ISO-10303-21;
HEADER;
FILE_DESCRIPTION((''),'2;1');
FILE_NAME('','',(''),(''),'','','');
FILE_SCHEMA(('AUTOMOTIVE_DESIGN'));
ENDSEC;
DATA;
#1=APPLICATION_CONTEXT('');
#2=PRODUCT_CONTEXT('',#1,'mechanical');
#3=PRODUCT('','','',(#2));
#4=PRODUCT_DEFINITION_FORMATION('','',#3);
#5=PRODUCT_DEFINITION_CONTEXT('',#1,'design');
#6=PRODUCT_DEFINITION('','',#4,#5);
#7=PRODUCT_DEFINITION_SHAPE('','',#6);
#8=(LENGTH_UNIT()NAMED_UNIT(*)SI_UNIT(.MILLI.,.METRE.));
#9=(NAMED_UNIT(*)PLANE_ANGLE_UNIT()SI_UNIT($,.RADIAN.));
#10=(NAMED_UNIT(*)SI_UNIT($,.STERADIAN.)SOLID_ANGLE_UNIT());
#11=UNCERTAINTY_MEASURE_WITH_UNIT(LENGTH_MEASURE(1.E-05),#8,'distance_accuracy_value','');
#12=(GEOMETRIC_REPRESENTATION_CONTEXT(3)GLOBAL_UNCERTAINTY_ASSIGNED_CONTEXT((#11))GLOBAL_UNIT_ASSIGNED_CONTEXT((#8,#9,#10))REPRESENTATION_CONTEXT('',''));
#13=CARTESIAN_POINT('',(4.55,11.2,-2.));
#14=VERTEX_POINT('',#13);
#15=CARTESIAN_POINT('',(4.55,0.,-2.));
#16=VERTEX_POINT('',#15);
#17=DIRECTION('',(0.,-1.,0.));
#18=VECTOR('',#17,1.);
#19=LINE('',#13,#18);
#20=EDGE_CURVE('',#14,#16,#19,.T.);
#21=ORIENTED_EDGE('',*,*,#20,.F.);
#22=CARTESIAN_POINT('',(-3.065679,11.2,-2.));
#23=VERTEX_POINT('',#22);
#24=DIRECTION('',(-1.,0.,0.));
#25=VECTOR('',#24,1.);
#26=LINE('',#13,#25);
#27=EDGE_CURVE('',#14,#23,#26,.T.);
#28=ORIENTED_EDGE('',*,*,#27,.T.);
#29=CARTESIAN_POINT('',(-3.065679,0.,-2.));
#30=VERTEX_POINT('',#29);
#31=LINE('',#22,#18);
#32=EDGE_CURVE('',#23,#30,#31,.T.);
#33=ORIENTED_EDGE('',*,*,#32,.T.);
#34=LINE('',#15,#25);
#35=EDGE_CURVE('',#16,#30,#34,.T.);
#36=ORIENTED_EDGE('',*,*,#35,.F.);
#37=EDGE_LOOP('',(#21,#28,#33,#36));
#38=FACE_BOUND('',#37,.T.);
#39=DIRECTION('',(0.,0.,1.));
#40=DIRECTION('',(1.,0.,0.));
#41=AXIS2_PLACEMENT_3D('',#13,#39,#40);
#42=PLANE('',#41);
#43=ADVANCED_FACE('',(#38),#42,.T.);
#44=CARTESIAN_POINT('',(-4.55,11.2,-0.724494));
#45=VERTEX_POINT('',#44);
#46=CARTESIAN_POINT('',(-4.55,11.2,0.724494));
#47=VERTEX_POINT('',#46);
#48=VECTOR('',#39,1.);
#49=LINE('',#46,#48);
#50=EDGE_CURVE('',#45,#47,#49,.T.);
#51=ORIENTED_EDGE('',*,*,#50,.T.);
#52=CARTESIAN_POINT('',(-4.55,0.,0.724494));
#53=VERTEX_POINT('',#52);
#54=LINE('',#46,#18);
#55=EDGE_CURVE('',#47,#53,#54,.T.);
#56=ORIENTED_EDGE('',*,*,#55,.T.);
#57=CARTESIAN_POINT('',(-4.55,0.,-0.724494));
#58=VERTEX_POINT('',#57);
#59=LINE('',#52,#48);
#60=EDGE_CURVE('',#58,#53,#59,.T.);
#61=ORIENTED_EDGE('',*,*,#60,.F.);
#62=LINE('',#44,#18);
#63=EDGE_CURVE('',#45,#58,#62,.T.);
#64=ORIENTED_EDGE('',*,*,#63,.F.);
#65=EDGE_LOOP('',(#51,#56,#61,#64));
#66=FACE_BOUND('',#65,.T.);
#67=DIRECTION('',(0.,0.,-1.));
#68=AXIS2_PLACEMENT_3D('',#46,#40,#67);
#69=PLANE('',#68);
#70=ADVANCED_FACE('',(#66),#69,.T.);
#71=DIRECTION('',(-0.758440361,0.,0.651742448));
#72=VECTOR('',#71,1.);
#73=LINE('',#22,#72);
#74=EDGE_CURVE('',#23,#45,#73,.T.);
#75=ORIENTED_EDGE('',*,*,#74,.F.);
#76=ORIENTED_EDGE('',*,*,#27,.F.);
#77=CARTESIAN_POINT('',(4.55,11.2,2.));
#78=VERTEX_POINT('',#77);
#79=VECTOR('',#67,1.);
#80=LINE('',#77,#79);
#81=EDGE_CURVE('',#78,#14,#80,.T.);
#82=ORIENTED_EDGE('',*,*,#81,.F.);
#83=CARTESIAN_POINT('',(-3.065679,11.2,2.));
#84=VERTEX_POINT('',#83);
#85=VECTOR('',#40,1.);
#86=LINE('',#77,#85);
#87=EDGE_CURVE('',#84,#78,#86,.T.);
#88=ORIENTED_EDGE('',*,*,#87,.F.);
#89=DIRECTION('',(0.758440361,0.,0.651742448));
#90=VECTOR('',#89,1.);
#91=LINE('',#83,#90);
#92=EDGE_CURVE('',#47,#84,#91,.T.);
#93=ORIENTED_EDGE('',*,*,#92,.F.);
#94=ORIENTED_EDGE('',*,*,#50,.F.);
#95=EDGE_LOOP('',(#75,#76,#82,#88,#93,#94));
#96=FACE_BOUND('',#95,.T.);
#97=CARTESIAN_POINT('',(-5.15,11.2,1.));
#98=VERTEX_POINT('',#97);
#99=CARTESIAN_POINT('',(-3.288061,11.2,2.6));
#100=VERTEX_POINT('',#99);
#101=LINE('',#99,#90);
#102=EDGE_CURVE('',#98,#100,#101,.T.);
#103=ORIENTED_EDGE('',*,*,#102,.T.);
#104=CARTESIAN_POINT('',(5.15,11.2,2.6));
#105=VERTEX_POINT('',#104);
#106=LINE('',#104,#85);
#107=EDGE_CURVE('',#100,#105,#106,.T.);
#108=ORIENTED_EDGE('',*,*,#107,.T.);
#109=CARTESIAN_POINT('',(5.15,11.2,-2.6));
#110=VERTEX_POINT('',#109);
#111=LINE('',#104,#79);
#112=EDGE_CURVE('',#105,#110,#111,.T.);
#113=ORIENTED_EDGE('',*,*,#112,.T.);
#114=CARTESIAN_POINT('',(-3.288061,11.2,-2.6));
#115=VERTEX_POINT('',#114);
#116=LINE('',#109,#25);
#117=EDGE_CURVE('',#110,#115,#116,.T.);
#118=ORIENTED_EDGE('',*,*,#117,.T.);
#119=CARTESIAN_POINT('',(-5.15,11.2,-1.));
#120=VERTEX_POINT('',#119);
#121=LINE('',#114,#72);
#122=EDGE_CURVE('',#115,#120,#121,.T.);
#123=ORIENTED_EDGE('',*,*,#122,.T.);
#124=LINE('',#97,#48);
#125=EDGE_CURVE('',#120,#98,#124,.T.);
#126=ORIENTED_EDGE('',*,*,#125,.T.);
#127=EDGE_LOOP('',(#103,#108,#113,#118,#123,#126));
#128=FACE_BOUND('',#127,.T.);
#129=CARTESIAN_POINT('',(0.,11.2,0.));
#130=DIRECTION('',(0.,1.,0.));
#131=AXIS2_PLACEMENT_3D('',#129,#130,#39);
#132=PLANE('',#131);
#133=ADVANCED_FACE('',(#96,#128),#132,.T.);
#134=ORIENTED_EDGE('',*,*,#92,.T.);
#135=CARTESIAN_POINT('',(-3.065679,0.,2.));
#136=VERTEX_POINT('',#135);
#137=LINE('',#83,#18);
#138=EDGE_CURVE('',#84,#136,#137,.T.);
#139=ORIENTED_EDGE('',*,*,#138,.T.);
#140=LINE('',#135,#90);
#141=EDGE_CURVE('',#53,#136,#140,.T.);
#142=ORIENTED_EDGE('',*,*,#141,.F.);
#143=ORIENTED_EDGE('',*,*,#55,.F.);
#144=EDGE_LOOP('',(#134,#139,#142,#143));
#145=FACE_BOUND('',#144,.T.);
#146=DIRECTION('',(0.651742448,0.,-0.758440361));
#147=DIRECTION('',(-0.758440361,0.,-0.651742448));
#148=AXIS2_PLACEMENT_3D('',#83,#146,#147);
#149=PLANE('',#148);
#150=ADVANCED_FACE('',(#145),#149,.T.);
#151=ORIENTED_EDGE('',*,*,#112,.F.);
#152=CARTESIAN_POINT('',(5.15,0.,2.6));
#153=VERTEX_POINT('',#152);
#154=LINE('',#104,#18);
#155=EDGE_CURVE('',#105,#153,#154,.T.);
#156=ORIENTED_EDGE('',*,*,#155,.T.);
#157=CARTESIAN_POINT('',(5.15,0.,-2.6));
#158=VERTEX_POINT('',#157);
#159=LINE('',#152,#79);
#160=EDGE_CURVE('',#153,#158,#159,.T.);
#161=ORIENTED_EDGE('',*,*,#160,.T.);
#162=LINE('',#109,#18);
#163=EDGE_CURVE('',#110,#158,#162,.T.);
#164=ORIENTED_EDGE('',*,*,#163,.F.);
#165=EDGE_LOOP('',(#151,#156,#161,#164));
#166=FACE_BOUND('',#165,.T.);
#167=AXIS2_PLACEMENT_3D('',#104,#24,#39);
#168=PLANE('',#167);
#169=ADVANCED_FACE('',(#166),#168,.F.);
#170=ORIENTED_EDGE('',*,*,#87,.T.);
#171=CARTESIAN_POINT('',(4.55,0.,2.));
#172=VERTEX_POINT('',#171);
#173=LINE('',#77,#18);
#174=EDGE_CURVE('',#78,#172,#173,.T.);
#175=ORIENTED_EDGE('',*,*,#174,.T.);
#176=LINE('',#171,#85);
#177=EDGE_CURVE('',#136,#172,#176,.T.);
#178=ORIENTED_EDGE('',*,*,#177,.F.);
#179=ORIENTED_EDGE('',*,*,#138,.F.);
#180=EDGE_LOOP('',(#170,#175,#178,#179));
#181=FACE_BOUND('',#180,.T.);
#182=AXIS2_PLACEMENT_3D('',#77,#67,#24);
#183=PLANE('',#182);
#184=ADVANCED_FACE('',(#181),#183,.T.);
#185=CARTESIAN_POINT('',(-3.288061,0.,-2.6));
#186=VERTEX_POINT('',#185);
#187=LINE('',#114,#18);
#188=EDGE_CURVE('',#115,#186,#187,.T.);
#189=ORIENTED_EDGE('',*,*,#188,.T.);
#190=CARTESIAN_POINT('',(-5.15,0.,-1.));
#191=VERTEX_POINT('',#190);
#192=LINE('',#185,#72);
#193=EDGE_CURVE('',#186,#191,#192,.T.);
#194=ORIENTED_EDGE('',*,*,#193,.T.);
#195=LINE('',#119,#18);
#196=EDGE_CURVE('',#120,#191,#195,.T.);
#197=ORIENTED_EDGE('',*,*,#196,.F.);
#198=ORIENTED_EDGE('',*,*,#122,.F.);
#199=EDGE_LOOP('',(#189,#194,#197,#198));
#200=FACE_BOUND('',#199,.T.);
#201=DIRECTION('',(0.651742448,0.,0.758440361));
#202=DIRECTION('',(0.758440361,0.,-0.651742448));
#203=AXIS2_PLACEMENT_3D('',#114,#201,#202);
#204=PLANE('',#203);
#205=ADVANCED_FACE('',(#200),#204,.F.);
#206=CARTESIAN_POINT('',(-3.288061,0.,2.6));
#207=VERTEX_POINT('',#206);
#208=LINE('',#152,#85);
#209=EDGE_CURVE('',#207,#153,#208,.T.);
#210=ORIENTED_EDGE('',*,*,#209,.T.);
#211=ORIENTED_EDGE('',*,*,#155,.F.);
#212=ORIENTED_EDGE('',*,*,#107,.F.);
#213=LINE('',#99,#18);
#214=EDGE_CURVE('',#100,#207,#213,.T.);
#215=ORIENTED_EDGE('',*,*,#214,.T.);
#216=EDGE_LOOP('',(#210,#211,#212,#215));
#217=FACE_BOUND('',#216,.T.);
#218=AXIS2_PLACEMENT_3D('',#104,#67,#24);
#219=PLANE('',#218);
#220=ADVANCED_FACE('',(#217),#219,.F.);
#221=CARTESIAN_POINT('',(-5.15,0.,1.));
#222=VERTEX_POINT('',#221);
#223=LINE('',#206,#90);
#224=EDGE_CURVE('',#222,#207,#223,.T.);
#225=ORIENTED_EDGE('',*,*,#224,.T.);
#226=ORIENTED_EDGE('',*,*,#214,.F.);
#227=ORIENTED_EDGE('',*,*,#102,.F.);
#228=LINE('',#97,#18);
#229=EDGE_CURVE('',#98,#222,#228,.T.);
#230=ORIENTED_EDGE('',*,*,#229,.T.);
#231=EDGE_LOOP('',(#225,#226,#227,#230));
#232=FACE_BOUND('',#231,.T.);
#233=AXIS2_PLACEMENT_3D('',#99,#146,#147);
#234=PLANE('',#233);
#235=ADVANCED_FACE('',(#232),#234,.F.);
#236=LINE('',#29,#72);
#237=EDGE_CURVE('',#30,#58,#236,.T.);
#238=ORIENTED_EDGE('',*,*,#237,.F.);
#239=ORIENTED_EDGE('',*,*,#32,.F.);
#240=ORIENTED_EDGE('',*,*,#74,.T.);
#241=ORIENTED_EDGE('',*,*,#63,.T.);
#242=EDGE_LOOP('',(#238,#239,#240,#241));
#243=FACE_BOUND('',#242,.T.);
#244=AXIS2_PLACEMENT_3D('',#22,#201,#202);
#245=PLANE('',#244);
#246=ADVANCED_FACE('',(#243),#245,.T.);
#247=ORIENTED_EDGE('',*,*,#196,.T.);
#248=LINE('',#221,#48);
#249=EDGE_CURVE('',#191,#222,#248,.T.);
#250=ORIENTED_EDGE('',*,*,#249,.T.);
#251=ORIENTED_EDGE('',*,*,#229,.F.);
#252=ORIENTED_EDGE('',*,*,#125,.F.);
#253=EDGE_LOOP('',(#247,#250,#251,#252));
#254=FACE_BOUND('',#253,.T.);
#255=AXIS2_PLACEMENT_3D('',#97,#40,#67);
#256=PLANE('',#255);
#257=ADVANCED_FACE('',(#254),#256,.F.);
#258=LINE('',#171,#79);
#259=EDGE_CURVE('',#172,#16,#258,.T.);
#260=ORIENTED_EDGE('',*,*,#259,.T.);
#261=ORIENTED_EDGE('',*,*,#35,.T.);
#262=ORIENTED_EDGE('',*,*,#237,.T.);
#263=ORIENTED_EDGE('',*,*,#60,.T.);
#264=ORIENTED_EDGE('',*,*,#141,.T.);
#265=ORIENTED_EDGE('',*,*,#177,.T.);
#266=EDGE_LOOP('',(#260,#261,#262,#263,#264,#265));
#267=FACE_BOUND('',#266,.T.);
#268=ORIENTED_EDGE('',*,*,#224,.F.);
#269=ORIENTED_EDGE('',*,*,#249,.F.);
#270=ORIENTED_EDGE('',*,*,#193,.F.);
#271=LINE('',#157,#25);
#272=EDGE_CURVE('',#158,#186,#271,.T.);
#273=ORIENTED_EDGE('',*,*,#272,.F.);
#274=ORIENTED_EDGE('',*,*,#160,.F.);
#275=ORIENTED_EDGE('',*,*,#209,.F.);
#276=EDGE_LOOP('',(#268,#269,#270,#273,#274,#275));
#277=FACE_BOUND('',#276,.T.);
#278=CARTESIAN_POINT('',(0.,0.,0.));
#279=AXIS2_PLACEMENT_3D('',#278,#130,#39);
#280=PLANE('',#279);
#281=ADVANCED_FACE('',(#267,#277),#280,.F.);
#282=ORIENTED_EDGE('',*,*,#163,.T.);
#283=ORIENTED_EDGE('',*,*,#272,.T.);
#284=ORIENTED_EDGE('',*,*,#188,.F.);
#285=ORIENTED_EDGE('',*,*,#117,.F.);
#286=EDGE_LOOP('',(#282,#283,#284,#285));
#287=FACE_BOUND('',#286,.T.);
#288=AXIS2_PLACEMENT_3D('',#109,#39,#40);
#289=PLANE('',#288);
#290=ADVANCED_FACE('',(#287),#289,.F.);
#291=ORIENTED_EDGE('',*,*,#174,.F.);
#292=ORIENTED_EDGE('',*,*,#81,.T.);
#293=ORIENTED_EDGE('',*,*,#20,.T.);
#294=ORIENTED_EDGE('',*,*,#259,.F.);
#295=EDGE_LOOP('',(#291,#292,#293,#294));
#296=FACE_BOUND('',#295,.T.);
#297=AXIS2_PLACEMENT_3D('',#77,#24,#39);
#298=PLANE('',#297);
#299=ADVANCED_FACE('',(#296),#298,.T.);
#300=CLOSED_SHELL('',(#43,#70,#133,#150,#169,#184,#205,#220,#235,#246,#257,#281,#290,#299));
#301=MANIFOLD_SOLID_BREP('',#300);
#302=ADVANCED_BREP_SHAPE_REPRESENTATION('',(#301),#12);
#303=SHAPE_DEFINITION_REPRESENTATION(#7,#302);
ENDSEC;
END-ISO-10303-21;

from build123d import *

# Parameters (mm, degrees)
BOSS_EXTRUDE1_DEPTH = 11.2


with BuildPart() as part:
    # Sketch1 → Boss-Extrude1 (new body)
    with BuildSketch(Plane(origin=(0, 0, 0), x_dir=(1, 0, 0), z_dir=(0, 1, 0))):
        Polygon((-3.288061159, 2.6), (-5.15, 1), (-5.15, -1), (-3.288061159, -2.6), (5.15, -2.6), (5.15, 2.6), align=None)
        Polygon((4.55, 2), (-3.065679168, 2), (-4.55, 0.724494447), (-4.55, -0.724494447), (-3.065679168, -2), (4.55, -2), align=None, mode=Mode.SUBTRACT)
    extrude(amount=BOSS_EXTRUDE1_DEPTH)


solid = part.part
